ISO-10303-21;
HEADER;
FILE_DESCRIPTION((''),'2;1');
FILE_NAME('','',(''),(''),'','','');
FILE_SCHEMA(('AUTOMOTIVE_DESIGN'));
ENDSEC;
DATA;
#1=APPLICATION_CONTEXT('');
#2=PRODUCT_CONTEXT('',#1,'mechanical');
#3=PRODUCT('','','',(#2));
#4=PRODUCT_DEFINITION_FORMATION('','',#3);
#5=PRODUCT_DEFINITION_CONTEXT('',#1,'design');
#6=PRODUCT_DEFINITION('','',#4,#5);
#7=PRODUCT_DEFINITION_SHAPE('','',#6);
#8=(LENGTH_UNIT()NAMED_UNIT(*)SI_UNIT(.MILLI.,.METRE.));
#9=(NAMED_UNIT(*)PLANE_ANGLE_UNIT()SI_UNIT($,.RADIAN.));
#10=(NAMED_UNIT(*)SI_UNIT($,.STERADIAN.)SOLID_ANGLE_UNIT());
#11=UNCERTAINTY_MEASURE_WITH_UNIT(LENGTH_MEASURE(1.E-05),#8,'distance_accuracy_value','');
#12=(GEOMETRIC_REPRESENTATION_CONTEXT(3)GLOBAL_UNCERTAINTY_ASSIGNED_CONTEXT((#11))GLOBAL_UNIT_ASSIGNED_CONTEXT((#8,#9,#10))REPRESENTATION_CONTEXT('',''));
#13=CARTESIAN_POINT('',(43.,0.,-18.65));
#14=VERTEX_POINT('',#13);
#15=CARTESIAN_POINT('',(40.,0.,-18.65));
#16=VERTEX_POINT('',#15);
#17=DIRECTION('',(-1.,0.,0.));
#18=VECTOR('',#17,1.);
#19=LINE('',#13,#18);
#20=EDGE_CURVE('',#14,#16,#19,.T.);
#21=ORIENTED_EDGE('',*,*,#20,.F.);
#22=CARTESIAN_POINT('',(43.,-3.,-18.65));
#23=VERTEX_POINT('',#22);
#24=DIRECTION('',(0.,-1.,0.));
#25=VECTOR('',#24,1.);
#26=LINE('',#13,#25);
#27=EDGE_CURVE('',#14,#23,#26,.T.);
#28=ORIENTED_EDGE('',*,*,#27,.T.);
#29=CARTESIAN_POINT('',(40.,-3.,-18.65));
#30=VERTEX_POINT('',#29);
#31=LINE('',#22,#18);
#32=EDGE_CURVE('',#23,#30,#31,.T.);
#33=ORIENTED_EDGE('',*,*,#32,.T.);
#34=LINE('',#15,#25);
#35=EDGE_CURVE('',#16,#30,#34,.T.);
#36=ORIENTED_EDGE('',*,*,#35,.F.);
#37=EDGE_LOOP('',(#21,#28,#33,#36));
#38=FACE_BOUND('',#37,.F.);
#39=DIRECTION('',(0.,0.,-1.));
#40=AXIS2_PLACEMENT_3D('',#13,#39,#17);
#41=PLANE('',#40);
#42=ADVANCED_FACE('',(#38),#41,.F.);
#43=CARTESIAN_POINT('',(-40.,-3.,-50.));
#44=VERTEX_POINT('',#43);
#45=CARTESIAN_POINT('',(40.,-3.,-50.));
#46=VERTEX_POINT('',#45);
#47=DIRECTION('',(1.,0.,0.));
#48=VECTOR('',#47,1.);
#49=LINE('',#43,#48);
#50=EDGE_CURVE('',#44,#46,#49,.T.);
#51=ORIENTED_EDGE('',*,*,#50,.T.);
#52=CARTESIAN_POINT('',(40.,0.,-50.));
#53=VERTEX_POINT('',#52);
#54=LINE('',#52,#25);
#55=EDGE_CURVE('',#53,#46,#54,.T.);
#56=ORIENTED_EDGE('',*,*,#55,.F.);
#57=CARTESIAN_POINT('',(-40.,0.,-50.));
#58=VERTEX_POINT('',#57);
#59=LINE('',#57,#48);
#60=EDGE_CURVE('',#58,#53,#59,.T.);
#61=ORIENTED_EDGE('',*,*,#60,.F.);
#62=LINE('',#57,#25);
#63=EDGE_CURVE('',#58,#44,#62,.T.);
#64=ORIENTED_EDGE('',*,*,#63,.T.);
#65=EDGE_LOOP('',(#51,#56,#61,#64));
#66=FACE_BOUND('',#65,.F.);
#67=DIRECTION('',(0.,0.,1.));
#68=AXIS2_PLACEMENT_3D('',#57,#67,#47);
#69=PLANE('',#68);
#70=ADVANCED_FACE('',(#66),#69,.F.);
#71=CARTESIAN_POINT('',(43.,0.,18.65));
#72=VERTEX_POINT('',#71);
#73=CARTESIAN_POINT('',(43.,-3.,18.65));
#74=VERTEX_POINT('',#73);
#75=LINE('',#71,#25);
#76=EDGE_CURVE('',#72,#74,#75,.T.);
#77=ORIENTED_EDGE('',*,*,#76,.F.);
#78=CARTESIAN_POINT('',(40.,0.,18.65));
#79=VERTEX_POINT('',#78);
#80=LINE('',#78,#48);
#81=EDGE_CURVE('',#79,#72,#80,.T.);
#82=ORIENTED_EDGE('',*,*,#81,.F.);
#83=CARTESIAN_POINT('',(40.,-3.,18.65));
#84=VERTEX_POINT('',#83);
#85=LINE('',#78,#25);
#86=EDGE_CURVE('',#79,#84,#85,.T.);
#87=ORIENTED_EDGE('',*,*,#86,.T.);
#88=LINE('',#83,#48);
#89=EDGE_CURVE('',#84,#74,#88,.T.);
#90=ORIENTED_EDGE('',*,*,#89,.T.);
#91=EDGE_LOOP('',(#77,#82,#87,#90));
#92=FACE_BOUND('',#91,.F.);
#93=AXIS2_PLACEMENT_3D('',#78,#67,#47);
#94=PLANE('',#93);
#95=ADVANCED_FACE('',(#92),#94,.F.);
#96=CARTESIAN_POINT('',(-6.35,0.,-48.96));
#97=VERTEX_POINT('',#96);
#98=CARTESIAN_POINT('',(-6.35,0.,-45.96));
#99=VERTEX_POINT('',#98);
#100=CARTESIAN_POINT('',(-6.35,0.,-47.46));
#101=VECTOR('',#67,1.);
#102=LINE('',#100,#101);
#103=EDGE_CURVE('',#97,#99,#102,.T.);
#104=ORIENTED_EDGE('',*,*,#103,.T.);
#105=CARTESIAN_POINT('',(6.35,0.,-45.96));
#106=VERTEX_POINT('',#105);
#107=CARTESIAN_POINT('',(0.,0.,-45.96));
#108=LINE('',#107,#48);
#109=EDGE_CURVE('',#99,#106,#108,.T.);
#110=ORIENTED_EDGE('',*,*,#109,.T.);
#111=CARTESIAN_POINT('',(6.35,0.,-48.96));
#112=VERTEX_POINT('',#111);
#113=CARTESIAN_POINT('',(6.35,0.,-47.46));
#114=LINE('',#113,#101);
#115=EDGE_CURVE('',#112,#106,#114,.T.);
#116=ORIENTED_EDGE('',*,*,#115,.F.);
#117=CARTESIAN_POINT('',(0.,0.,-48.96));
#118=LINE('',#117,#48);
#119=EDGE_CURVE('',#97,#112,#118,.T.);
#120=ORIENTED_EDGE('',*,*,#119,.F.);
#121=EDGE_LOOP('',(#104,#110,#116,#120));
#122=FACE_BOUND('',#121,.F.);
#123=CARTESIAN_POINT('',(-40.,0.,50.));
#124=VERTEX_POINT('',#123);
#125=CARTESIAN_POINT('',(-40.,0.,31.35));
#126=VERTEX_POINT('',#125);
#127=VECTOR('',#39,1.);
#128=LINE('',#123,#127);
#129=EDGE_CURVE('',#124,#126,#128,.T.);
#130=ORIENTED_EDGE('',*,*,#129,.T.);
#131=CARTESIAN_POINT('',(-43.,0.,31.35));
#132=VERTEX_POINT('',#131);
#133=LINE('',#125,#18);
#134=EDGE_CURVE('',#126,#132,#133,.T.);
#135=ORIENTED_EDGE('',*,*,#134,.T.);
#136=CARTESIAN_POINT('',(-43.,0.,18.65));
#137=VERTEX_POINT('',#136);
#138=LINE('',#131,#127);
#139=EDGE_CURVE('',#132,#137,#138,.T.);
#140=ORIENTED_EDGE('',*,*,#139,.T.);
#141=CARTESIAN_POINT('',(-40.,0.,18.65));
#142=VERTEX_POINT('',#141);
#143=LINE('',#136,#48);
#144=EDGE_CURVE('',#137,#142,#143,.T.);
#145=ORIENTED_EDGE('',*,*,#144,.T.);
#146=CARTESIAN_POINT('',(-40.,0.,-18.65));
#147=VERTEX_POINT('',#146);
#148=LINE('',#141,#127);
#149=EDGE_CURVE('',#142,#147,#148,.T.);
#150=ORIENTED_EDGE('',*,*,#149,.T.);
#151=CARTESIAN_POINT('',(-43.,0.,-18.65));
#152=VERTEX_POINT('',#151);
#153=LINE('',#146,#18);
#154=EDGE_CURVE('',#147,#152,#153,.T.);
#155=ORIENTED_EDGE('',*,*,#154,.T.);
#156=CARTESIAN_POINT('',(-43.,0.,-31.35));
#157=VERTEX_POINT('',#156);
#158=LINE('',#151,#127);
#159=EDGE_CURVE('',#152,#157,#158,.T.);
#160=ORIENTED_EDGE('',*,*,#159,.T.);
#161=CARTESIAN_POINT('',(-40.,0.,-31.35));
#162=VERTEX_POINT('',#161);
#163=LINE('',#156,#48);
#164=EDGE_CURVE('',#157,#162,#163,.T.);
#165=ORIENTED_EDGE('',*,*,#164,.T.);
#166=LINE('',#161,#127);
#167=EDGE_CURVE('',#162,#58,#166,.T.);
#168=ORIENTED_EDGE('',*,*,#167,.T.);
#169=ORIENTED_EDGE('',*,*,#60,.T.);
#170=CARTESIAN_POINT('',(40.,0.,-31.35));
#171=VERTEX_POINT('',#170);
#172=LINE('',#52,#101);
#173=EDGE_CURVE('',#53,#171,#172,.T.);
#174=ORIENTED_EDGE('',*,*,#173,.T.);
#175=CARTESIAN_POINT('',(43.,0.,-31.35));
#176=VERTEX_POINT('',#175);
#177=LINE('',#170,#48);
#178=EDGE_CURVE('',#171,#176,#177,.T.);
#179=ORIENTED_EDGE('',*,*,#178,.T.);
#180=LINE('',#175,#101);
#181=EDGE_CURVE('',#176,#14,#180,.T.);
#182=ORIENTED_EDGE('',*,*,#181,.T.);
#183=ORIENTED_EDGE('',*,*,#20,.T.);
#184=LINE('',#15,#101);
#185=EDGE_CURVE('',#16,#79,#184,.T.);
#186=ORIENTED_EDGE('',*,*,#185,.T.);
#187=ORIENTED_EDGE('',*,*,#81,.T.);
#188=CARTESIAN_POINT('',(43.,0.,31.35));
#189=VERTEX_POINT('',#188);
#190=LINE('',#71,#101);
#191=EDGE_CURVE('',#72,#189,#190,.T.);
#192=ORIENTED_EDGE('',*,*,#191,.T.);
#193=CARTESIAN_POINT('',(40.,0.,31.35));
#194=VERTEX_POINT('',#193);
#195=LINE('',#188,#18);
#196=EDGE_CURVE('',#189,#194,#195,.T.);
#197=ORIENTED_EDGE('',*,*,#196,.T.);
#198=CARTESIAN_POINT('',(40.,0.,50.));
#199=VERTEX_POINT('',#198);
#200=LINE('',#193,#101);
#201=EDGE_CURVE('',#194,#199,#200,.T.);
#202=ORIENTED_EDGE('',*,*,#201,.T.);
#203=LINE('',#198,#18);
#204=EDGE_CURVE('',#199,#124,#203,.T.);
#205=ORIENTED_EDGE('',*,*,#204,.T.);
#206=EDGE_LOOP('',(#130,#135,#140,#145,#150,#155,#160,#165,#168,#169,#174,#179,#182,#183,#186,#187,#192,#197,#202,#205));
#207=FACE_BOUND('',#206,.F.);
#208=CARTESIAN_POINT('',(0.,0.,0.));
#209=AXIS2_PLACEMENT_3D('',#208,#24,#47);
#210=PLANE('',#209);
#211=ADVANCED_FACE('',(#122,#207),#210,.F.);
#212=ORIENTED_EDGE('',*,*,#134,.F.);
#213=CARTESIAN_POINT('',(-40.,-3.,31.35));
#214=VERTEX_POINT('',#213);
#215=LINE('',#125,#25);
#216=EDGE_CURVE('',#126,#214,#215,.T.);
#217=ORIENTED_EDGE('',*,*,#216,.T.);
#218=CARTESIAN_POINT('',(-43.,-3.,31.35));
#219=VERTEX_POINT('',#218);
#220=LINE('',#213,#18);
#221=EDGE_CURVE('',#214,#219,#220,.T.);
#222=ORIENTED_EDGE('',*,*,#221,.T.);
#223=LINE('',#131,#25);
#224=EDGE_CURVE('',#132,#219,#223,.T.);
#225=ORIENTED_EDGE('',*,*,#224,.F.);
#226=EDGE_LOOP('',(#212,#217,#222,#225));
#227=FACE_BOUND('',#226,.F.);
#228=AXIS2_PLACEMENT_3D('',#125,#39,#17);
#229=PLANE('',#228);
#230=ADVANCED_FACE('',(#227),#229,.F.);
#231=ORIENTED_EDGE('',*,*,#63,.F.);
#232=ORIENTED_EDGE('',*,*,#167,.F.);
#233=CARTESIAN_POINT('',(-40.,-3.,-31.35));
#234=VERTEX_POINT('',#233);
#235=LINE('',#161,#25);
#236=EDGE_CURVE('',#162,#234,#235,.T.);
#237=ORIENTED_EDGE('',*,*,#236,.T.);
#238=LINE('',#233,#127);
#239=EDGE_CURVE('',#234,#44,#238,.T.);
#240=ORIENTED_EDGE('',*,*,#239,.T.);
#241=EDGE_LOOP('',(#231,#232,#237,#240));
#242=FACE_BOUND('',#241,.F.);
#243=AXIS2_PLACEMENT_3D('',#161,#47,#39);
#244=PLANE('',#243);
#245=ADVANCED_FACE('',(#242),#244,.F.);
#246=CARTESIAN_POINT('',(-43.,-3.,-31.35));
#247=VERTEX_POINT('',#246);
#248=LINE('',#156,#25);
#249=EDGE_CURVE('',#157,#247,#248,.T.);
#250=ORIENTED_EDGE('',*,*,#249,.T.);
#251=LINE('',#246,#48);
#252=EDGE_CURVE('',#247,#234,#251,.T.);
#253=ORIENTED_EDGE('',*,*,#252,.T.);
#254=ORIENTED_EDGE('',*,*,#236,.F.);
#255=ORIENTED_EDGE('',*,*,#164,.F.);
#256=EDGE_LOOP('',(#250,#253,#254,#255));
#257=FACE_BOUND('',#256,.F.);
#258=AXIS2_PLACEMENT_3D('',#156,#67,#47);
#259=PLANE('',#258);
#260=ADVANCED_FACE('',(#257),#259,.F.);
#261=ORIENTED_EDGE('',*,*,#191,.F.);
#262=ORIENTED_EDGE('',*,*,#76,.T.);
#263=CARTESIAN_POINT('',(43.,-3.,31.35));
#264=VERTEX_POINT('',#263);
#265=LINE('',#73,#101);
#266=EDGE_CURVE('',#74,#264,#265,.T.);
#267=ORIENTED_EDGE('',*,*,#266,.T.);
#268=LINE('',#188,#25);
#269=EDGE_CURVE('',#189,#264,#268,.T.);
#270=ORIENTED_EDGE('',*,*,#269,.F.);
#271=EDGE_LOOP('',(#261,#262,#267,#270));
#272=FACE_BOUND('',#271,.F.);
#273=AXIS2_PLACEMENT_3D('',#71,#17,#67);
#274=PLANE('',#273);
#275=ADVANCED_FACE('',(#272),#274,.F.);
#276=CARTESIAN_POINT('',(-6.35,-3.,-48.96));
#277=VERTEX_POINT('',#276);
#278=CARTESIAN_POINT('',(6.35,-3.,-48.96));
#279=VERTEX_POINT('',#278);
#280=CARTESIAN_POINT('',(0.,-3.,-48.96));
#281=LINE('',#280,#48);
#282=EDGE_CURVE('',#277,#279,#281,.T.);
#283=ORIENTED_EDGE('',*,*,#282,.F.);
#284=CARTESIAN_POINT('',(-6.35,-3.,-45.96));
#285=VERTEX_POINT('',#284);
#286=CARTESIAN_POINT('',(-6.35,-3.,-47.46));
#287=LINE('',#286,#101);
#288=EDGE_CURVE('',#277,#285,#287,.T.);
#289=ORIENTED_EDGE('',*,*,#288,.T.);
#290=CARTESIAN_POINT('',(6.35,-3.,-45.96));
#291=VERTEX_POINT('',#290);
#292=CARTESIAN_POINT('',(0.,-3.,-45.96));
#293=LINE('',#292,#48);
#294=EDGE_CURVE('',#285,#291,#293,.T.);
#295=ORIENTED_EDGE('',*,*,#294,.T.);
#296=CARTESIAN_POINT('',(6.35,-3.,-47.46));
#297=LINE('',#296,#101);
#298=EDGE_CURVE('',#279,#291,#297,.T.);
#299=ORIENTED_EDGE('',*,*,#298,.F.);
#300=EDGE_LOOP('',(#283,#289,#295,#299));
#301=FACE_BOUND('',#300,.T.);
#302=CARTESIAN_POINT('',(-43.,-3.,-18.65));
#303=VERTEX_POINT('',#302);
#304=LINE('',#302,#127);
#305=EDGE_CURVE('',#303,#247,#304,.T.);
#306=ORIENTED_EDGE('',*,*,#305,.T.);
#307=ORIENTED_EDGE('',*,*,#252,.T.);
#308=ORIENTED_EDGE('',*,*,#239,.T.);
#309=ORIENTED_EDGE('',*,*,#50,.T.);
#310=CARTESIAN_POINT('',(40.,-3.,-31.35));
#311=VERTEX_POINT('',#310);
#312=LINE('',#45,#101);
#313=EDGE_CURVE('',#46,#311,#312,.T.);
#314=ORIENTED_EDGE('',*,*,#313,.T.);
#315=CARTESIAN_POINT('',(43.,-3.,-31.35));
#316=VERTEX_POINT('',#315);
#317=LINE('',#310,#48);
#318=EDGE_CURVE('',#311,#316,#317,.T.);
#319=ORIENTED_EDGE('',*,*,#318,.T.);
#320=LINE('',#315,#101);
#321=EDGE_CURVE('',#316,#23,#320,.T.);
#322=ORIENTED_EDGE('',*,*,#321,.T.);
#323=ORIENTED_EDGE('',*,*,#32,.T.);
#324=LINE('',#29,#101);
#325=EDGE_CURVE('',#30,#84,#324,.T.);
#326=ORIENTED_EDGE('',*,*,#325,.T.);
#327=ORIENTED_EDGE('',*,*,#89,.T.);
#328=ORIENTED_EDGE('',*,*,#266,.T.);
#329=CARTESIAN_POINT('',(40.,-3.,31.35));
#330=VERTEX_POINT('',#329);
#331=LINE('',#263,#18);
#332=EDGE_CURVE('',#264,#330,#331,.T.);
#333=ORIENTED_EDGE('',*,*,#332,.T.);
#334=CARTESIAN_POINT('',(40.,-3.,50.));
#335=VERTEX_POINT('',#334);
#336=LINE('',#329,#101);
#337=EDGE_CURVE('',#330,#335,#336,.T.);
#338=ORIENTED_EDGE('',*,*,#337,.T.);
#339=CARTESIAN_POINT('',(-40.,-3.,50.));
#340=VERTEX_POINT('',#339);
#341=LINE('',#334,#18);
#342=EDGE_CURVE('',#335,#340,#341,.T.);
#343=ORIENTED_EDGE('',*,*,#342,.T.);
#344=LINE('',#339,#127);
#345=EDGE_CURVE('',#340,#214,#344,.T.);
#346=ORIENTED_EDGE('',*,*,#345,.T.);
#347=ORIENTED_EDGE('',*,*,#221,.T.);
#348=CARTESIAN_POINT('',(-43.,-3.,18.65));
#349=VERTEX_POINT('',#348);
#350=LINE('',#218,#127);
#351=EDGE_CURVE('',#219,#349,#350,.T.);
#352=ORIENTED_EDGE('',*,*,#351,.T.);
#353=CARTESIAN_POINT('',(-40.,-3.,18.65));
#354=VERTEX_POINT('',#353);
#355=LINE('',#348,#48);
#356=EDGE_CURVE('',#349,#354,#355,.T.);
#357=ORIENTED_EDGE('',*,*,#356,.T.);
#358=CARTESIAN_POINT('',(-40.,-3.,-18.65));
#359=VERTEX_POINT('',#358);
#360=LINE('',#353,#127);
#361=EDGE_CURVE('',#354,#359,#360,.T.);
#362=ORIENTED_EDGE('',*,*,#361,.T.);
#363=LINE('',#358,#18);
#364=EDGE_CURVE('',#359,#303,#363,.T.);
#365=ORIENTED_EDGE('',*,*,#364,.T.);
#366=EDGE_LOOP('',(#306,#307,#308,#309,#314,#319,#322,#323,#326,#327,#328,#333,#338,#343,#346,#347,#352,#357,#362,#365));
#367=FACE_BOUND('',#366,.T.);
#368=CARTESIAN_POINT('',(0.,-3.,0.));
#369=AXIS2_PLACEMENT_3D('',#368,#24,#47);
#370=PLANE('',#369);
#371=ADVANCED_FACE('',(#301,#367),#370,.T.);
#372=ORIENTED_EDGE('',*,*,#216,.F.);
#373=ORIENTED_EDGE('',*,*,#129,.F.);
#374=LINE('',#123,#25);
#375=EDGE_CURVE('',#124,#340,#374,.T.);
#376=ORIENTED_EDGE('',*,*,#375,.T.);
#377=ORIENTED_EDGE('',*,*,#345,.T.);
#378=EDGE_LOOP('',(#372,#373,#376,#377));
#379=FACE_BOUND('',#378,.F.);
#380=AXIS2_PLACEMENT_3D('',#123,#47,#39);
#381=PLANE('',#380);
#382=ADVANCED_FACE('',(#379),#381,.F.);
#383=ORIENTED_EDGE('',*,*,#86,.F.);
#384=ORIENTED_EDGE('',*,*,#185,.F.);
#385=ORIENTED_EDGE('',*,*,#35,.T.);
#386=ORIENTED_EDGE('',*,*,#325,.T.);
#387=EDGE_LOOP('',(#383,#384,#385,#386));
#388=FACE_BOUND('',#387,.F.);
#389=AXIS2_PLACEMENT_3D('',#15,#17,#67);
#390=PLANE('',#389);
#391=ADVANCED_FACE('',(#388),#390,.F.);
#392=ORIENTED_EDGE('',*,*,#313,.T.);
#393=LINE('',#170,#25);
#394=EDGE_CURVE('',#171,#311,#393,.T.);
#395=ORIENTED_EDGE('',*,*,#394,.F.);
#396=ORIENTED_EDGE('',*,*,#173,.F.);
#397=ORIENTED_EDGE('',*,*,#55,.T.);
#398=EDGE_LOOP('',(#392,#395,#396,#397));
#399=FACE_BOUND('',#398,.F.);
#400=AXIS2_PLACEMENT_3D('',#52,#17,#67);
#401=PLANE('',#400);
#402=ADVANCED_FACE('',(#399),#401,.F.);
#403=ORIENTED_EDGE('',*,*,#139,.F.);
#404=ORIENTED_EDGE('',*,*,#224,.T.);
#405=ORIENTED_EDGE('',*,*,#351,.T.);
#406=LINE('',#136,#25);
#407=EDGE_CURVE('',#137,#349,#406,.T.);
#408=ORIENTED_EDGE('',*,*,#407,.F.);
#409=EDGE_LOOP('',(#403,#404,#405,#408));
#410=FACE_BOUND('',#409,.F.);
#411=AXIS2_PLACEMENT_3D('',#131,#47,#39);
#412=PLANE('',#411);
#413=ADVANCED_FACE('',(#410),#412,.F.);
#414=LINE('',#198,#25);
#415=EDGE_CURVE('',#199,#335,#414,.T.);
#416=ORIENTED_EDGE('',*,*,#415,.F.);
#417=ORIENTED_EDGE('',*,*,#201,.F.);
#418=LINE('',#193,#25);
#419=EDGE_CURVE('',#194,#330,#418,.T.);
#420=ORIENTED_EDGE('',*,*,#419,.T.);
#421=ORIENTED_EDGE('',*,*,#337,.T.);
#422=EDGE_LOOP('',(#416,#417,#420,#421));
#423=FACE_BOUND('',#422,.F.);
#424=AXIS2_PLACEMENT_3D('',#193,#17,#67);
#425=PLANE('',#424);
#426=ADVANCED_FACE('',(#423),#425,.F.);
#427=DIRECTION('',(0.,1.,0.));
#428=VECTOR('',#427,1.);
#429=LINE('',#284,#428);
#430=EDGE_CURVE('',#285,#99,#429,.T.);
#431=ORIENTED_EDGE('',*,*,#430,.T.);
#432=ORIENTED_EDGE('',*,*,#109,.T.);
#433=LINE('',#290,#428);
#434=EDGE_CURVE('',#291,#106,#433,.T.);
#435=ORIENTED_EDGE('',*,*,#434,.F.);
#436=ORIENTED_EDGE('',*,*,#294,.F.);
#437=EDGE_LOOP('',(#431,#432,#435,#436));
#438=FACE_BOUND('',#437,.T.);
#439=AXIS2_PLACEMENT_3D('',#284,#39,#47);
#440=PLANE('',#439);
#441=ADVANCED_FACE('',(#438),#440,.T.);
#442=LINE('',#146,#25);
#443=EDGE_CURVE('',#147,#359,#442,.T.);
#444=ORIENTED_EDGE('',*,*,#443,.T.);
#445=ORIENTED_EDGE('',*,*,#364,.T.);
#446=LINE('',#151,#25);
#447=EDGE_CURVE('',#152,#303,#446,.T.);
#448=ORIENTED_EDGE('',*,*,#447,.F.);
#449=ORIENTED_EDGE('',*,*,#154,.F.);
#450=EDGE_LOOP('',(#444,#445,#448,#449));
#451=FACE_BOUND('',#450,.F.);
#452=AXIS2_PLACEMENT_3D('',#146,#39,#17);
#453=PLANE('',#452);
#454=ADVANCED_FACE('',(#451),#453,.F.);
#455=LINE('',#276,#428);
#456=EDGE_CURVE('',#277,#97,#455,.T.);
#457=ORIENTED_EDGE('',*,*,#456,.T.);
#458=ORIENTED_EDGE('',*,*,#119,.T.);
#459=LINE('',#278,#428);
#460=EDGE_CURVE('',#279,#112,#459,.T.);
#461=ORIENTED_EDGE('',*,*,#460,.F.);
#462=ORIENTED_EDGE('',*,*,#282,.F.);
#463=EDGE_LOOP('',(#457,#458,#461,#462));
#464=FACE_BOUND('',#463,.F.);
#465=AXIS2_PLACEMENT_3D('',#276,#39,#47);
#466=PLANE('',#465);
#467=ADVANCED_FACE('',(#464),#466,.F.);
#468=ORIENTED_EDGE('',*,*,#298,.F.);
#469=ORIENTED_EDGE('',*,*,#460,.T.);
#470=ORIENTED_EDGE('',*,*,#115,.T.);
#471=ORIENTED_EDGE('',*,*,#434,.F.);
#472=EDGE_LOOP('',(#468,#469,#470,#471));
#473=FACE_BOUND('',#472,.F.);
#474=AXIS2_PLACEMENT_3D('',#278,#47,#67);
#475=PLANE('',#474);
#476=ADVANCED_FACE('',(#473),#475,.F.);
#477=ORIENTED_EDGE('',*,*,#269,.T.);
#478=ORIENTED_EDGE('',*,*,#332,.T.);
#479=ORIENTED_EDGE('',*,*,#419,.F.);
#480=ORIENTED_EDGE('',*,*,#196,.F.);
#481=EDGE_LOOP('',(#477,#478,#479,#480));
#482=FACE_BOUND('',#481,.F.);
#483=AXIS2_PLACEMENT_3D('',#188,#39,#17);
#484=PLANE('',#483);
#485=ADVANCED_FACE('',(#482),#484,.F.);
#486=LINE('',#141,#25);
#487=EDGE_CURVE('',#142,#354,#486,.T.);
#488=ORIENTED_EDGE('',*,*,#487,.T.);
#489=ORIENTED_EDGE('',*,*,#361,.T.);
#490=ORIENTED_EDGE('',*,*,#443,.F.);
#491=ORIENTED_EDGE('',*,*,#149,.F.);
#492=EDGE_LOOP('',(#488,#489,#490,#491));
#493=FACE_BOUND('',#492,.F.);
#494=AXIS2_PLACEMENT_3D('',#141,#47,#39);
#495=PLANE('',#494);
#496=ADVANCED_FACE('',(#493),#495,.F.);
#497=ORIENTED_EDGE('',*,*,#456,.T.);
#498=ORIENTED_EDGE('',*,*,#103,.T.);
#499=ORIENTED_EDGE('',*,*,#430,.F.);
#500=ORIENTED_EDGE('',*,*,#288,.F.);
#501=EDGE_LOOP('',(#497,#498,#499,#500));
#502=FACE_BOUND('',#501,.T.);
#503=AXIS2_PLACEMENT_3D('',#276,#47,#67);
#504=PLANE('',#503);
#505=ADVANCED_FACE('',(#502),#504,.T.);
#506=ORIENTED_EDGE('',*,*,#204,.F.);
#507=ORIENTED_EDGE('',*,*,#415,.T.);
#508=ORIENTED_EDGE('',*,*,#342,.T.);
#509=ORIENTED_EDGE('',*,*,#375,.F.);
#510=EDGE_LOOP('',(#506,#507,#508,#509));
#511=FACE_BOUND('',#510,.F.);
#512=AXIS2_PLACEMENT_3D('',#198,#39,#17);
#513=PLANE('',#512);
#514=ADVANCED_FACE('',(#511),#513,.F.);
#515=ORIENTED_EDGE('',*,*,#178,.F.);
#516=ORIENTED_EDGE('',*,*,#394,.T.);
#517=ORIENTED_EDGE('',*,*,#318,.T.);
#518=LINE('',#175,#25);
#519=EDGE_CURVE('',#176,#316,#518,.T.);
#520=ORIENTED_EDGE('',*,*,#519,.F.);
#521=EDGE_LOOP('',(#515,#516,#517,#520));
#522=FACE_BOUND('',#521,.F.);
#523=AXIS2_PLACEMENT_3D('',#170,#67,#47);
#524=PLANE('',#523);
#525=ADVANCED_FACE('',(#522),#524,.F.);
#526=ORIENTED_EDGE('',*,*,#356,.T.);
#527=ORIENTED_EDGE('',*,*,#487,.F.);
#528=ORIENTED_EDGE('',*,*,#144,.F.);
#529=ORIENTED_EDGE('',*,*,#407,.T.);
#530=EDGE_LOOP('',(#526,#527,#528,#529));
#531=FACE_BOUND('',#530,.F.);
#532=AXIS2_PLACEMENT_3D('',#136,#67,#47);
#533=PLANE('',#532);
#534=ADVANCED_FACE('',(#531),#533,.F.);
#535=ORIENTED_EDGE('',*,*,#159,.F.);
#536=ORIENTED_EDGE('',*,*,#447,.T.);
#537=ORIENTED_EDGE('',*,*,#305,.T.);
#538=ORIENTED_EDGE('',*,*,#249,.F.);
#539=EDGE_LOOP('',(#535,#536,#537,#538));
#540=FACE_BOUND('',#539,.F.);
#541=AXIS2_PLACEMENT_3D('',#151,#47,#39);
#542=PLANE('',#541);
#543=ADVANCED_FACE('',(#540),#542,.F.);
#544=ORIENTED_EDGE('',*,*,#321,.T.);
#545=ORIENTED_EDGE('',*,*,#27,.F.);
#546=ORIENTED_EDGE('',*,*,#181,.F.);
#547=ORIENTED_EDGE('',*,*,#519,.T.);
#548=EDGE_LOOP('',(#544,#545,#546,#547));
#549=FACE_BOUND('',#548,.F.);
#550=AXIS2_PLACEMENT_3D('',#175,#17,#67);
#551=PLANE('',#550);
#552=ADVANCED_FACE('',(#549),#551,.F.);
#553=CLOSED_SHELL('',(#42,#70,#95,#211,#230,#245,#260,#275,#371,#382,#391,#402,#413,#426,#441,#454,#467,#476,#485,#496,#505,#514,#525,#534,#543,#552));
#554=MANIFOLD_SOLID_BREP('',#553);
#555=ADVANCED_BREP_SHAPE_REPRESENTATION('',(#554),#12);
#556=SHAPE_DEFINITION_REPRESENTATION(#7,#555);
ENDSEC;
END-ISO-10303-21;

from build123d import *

# Parameters (mm, degrees)
F1_DEPTH = 3
F2_W     = 12.7
F2_H     = 3
F3_DEPTH = 3


with BuildPart() as f1:
    # F0 (on Front) → F1 (new body)
    with BuildSketch(Plane.XZ):
        Polygon((40, 50), (-40, 50), (-40, 31.35), (-43, 31.35), (-43, 18.65), (-40, 18.65), (-40, -18.65), (-43, -18.65), (-43, -31.35), (-40, -31.35), (-40, -50), (40, -50), (40, -31.35), (43, -31.35), (43, -18.65), (40, -18.65), (40, 18.65), (43, 18.65), (43, 31.35), (40, 31.35), align=None)
    extrude(amount=F1_DEPTH)

    # F2 (on face) → F3 (cut, through all)
    with BuildSketch(Plane.XZ.offset(3)):
        with Locations((0, -47.46)):
            Rectangle(F2_W, F2_H)
    extrude(amount=-F3_DEPTH, mode=Mode.SUBTRACT)


solid = f1.part
